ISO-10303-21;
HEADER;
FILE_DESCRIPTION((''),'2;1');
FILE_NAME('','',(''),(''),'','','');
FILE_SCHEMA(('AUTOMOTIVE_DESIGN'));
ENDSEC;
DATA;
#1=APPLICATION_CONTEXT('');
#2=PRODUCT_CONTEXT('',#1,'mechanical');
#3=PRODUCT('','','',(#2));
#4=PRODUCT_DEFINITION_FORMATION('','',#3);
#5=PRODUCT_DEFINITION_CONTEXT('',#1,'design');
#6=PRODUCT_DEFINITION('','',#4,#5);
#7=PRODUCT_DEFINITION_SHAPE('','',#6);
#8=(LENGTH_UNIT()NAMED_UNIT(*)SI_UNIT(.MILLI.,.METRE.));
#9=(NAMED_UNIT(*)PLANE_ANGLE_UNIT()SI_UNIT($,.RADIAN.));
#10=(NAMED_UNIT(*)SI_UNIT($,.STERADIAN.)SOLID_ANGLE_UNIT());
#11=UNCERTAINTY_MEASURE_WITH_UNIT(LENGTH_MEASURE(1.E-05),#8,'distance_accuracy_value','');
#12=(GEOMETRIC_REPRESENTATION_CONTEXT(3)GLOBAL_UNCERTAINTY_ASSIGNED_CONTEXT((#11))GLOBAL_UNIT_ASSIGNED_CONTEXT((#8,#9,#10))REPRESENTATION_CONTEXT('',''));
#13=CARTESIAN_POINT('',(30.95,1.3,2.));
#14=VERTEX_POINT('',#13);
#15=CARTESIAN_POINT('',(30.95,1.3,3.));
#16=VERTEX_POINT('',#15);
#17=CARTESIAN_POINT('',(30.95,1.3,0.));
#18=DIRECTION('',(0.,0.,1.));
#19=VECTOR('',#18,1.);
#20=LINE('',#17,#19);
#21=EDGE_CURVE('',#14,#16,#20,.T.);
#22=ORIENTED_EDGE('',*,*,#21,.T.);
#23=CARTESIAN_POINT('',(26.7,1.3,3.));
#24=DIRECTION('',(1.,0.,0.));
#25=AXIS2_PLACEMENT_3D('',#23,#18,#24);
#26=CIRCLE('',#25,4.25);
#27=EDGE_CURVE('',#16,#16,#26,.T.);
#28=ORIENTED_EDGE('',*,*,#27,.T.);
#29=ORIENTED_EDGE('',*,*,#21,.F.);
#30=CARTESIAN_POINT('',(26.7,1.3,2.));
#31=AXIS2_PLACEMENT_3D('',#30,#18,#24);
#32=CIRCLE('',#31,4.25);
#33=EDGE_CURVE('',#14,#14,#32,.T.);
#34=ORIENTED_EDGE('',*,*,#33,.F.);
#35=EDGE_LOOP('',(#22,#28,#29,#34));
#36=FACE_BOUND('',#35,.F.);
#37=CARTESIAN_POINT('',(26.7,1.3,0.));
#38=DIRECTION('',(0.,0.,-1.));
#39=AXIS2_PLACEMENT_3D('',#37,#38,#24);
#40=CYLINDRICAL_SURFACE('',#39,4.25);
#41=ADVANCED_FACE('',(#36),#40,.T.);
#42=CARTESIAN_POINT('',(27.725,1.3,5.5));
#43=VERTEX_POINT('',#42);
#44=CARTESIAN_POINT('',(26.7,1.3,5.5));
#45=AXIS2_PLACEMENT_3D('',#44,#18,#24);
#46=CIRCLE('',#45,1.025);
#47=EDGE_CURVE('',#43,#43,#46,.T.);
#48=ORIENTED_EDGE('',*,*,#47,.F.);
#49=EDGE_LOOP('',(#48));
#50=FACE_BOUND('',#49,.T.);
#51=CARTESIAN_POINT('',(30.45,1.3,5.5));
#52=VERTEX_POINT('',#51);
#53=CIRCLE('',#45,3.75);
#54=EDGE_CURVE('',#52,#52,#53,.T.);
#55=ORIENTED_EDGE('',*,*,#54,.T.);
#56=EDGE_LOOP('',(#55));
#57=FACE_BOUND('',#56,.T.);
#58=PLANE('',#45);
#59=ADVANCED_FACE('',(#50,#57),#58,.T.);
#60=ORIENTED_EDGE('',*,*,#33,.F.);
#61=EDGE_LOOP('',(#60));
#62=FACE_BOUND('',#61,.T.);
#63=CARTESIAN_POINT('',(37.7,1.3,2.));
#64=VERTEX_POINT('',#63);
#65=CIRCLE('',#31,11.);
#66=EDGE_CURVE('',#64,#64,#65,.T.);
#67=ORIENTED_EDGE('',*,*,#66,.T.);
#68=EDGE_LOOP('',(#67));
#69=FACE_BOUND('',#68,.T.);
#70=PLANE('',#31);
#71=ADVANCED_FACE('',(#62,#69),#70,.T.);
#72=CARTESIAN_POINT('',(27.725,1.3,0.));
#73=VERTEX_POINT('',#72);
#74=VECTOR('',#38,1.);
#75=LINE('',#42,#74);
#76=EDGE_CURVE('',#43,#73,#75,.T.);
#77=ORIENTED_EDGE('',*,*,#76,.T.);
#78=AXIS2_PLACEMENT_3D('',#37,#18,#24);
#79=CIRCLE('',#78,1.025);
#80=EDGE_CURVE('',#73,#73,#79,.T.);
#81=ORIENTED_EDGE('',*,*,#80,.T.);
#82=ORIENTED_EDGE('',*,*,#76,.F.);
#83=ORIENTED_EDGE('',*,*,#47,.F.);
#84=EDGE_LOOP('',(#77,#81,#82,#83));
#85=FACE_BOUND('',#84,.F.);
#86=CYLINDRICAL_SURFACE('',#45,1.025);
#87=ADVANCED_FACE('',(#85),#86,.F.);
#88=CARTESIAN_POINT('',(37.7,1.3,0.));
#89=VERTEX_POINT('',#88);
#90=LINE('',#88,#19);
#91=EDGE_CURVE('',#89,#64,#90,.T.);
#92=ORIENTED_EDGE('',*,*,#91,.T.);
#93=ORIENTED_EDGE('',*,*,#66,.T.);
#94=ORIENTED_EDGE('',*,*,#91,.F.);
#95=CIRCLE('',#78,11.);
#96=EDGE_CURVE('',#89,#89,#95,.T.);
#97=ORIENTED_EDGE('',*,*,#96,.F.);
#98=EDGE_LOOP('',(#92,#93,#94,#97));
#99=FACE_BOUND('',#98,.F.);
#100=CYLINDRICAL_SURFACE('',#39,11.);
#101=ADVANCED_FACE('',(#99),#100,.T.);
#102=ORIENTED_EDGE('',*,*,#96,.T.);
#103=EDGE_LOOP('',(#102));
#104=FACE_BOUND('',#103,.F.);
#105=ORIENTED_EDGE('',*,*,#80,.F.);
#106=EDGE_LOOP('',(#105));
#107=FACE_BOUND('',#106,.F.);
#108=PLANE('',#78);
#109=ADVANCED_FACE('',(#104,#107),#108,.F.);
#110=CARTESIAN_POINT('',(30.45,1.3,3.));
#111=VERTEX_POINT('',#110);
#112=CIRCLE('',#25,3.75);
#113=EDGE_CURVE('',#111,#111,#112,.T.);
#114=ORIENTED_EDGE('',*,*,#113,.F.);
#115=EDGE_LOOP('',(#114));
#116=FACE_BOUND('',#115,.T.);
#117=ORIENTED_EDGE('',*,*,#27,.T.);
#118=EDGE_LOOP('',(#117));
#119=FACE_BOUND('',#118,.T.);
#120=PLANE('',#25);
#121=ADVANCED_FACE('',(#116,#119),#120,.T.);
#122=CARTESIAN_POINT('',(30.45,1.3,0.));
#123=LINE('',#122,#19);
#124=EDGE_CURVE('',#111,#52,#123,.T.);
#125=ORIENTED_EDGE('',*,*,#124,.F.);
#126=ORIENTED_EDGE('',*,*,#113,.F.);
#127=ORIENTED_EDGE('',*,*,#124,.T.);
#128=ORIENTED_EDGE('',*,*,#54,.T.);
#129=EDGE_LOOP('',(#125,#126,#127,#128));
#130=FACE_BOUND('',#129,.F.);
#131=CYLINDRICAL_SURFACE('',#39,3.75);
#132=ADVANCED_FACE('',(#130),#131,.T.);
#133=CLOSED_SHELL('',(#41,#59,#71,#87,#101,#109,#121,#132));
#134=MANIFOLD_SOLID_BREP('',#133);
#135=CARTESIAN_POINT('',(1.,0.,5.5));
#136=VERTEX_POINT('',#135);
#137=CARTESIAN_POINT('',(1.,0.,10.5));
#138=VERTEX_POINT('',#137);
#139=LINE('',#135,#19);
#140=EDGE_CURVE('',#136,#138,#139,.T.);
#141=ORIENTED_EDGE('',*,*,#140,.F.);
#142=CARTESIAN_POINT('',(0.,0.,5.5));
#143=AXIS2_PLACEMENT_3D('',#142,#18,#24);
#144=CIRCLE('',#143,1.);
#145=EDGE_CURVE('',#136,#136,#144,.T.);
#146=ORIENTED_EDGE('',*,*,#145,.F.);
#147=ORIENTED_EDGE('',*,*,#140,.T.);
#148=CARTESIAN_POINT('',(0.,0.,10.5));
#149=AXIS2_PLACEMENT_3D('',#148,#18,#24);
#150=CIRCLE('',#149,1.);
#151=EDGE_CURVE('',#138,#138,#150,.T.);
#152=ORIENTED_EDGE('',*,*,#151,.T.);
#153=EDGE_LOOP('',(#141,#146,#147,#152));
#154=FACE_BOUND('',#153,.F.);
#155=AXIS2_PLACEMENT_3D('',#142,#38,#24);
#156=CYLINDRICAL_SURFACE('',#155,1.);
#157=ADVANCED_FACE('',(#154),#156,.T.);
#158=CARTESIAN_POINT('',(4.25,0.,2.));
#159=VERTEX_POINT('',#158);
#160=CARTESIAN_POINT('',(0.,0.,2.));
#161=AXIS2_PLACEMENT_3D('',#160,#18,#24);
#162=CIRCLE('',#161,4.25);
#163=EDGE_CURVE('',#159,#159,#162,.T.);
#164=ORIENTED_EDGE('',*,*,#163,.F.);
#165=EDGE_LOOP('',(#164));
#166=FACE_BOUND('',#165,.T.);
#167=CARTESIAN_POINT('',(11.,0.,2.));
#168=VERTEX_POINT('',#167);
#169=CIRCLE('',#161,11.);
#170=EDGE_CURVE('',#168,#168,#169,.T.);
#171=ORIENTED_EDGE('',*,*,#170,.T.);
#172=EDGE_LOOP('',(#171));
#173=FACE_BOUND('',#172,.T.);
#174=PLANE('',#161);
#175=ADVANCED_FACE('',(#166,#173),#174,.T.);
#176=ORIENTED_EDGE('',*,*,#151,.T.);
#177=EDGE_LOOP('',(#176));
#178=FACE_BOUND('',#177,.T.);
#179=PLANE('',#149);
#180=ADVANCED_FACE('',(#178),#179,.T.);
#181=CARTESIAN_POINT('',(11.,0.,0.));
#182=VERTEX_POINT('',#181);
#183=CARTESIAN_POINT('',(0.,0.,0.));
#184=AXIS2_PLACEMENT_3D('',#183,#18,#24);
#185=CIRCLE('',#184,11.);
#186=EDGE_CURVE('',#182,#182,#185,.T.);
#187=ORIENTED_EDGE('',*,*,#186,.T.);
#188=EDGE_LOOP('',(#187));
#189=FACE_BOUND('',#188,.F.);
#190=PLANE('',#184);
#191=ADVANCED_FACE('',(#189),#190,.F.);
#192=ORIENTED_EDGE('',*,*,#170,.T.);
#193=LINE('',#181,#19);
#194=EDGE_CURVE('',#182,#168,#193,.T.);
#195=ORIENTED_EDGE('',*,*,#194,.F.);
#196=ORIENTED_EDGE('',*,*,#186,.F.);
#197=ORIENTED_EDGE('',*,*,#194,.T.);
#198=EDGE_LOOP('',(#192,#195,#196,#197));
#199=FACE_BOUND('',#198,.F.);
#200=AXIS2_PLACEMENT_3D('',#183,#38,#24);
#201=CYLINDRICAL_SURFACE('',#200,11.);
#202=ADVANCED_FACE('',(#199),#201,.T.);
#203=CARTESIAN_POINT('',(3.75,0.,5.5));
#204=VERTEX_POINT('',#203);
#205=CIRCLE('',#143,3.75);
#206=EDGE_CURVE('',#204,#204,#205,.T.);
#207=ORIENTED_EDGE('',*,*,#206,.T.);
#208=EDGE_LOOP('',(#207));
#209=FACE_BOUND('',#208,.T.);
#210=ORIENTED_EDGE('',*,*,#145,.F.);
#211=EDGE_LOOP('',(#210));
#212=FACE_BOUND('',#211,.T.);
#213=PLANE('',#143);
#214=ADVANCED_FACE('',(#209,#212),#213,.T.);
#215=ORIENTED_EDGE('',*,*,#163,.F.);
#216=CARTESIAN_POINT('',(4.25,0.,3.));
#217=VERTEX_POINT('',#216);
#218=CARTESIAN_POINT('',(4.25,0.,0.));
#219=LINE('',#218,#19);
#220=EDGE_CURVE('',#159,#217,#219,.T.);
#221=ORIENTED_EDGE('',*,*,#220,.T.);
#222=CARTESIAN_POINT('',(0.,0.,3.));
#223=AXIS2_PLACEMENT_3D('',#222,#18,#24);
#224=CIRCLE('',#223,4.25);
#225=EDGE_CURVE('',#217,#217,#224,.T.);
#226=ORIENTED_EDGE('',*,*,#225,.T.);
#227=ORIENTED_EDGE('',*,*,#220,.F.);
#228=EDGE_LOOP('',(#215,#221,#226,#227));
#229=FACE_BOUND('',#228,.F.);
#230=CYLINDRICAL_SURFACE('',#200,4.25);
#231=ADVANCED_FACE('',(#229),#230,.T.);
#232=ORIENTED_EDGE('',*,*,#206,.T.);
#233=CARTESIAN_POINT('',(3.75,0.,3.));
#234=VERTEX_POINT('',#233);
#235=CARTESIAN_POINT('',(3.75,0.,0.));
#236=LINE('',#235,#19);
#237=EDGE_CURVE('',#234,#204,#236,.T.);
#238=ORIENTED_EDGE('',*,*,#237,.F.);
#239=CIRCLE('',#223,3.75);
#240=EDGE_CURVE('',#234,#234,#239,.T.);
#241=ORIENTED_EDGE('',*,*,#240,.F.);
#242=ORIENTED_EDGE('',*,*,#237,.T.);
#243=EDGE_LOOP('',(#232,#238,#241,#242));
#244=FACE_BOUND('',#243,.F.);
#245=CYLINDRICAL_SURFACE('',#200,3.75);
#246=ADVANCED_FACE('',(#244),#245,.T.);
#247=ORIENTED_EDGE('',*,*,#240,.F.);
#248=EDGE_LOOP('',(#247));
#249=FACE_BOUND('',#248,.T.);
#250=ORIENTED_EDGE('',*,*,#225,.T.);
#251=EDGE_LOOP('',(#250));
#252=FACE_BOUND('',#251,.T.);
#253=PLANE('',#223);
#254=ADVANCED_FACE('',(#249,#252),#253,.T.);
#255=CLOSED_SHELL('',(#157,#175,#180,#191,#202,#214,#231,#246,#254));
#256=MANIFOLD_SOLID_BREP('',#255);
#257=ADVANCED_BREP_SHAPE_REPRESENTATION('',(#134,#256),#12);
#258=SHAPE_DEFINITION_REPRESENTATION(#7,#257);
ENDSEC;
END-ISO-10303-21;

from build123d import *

# Parameters (mm, degrees)
F0_R     = 3.75
F1_DEPTH = 5.5
F0_R_2   = 4.25
F2_DEPTH = 3
F0_R_3   = 11
F3_DEPTH = 2
F5_R     = 1
F6_DEPTH = 5
F7_R     = 1.025
F8_DEPTH = 7.7


with BuildPart() as f1:
    # F0 (on Top) → F1 (new body)
    with BuildSketch(Plane.XY):
        Circle(F0_R)
    extrude(amount=F1_DEPTH)

    # F0 (on Top) → F2 (join)
    with BuildSketch(Plane.XY):
        Circle(F0_R_2)
        Circle(F0_R, mode=Mode.SUBTRACT)
    extrude(amount=F2_DEPTH)

    # F0 (on Top) → F3 (join)
    with BuildSketch(Plane.XY):
        Circle(F0_R_3)
        Circle(F0_R_2, mode=Mode.SUBTRACT)
    extrude(amount=F3_DEPTH)


with BuildPart() as f4_1:
    # F4: copy of F1
    add(f1.part.moved(Location((26.7, 1.3, 0))))

    # F7 (on face) → F8 (cut)
    with BuildSketch(Plane.XY.offset(5.5)):
        with Locations((26.7, 1.3)):
            Circle(F7_R)
    extrude(amount=-F8_DEPTH, mode=Mode.SUBTRACT)


with BuildPart() as f1_1:
    add(f1.part)

    # F5 (on face) → F6 (join)
    with BuildSketch(Plane.XY.offset(5.5)):
        Circle(F5_R)
    extrude(amount=F6_DEPTH)


solid = Compound([f4_1.part, f1_1.part])
